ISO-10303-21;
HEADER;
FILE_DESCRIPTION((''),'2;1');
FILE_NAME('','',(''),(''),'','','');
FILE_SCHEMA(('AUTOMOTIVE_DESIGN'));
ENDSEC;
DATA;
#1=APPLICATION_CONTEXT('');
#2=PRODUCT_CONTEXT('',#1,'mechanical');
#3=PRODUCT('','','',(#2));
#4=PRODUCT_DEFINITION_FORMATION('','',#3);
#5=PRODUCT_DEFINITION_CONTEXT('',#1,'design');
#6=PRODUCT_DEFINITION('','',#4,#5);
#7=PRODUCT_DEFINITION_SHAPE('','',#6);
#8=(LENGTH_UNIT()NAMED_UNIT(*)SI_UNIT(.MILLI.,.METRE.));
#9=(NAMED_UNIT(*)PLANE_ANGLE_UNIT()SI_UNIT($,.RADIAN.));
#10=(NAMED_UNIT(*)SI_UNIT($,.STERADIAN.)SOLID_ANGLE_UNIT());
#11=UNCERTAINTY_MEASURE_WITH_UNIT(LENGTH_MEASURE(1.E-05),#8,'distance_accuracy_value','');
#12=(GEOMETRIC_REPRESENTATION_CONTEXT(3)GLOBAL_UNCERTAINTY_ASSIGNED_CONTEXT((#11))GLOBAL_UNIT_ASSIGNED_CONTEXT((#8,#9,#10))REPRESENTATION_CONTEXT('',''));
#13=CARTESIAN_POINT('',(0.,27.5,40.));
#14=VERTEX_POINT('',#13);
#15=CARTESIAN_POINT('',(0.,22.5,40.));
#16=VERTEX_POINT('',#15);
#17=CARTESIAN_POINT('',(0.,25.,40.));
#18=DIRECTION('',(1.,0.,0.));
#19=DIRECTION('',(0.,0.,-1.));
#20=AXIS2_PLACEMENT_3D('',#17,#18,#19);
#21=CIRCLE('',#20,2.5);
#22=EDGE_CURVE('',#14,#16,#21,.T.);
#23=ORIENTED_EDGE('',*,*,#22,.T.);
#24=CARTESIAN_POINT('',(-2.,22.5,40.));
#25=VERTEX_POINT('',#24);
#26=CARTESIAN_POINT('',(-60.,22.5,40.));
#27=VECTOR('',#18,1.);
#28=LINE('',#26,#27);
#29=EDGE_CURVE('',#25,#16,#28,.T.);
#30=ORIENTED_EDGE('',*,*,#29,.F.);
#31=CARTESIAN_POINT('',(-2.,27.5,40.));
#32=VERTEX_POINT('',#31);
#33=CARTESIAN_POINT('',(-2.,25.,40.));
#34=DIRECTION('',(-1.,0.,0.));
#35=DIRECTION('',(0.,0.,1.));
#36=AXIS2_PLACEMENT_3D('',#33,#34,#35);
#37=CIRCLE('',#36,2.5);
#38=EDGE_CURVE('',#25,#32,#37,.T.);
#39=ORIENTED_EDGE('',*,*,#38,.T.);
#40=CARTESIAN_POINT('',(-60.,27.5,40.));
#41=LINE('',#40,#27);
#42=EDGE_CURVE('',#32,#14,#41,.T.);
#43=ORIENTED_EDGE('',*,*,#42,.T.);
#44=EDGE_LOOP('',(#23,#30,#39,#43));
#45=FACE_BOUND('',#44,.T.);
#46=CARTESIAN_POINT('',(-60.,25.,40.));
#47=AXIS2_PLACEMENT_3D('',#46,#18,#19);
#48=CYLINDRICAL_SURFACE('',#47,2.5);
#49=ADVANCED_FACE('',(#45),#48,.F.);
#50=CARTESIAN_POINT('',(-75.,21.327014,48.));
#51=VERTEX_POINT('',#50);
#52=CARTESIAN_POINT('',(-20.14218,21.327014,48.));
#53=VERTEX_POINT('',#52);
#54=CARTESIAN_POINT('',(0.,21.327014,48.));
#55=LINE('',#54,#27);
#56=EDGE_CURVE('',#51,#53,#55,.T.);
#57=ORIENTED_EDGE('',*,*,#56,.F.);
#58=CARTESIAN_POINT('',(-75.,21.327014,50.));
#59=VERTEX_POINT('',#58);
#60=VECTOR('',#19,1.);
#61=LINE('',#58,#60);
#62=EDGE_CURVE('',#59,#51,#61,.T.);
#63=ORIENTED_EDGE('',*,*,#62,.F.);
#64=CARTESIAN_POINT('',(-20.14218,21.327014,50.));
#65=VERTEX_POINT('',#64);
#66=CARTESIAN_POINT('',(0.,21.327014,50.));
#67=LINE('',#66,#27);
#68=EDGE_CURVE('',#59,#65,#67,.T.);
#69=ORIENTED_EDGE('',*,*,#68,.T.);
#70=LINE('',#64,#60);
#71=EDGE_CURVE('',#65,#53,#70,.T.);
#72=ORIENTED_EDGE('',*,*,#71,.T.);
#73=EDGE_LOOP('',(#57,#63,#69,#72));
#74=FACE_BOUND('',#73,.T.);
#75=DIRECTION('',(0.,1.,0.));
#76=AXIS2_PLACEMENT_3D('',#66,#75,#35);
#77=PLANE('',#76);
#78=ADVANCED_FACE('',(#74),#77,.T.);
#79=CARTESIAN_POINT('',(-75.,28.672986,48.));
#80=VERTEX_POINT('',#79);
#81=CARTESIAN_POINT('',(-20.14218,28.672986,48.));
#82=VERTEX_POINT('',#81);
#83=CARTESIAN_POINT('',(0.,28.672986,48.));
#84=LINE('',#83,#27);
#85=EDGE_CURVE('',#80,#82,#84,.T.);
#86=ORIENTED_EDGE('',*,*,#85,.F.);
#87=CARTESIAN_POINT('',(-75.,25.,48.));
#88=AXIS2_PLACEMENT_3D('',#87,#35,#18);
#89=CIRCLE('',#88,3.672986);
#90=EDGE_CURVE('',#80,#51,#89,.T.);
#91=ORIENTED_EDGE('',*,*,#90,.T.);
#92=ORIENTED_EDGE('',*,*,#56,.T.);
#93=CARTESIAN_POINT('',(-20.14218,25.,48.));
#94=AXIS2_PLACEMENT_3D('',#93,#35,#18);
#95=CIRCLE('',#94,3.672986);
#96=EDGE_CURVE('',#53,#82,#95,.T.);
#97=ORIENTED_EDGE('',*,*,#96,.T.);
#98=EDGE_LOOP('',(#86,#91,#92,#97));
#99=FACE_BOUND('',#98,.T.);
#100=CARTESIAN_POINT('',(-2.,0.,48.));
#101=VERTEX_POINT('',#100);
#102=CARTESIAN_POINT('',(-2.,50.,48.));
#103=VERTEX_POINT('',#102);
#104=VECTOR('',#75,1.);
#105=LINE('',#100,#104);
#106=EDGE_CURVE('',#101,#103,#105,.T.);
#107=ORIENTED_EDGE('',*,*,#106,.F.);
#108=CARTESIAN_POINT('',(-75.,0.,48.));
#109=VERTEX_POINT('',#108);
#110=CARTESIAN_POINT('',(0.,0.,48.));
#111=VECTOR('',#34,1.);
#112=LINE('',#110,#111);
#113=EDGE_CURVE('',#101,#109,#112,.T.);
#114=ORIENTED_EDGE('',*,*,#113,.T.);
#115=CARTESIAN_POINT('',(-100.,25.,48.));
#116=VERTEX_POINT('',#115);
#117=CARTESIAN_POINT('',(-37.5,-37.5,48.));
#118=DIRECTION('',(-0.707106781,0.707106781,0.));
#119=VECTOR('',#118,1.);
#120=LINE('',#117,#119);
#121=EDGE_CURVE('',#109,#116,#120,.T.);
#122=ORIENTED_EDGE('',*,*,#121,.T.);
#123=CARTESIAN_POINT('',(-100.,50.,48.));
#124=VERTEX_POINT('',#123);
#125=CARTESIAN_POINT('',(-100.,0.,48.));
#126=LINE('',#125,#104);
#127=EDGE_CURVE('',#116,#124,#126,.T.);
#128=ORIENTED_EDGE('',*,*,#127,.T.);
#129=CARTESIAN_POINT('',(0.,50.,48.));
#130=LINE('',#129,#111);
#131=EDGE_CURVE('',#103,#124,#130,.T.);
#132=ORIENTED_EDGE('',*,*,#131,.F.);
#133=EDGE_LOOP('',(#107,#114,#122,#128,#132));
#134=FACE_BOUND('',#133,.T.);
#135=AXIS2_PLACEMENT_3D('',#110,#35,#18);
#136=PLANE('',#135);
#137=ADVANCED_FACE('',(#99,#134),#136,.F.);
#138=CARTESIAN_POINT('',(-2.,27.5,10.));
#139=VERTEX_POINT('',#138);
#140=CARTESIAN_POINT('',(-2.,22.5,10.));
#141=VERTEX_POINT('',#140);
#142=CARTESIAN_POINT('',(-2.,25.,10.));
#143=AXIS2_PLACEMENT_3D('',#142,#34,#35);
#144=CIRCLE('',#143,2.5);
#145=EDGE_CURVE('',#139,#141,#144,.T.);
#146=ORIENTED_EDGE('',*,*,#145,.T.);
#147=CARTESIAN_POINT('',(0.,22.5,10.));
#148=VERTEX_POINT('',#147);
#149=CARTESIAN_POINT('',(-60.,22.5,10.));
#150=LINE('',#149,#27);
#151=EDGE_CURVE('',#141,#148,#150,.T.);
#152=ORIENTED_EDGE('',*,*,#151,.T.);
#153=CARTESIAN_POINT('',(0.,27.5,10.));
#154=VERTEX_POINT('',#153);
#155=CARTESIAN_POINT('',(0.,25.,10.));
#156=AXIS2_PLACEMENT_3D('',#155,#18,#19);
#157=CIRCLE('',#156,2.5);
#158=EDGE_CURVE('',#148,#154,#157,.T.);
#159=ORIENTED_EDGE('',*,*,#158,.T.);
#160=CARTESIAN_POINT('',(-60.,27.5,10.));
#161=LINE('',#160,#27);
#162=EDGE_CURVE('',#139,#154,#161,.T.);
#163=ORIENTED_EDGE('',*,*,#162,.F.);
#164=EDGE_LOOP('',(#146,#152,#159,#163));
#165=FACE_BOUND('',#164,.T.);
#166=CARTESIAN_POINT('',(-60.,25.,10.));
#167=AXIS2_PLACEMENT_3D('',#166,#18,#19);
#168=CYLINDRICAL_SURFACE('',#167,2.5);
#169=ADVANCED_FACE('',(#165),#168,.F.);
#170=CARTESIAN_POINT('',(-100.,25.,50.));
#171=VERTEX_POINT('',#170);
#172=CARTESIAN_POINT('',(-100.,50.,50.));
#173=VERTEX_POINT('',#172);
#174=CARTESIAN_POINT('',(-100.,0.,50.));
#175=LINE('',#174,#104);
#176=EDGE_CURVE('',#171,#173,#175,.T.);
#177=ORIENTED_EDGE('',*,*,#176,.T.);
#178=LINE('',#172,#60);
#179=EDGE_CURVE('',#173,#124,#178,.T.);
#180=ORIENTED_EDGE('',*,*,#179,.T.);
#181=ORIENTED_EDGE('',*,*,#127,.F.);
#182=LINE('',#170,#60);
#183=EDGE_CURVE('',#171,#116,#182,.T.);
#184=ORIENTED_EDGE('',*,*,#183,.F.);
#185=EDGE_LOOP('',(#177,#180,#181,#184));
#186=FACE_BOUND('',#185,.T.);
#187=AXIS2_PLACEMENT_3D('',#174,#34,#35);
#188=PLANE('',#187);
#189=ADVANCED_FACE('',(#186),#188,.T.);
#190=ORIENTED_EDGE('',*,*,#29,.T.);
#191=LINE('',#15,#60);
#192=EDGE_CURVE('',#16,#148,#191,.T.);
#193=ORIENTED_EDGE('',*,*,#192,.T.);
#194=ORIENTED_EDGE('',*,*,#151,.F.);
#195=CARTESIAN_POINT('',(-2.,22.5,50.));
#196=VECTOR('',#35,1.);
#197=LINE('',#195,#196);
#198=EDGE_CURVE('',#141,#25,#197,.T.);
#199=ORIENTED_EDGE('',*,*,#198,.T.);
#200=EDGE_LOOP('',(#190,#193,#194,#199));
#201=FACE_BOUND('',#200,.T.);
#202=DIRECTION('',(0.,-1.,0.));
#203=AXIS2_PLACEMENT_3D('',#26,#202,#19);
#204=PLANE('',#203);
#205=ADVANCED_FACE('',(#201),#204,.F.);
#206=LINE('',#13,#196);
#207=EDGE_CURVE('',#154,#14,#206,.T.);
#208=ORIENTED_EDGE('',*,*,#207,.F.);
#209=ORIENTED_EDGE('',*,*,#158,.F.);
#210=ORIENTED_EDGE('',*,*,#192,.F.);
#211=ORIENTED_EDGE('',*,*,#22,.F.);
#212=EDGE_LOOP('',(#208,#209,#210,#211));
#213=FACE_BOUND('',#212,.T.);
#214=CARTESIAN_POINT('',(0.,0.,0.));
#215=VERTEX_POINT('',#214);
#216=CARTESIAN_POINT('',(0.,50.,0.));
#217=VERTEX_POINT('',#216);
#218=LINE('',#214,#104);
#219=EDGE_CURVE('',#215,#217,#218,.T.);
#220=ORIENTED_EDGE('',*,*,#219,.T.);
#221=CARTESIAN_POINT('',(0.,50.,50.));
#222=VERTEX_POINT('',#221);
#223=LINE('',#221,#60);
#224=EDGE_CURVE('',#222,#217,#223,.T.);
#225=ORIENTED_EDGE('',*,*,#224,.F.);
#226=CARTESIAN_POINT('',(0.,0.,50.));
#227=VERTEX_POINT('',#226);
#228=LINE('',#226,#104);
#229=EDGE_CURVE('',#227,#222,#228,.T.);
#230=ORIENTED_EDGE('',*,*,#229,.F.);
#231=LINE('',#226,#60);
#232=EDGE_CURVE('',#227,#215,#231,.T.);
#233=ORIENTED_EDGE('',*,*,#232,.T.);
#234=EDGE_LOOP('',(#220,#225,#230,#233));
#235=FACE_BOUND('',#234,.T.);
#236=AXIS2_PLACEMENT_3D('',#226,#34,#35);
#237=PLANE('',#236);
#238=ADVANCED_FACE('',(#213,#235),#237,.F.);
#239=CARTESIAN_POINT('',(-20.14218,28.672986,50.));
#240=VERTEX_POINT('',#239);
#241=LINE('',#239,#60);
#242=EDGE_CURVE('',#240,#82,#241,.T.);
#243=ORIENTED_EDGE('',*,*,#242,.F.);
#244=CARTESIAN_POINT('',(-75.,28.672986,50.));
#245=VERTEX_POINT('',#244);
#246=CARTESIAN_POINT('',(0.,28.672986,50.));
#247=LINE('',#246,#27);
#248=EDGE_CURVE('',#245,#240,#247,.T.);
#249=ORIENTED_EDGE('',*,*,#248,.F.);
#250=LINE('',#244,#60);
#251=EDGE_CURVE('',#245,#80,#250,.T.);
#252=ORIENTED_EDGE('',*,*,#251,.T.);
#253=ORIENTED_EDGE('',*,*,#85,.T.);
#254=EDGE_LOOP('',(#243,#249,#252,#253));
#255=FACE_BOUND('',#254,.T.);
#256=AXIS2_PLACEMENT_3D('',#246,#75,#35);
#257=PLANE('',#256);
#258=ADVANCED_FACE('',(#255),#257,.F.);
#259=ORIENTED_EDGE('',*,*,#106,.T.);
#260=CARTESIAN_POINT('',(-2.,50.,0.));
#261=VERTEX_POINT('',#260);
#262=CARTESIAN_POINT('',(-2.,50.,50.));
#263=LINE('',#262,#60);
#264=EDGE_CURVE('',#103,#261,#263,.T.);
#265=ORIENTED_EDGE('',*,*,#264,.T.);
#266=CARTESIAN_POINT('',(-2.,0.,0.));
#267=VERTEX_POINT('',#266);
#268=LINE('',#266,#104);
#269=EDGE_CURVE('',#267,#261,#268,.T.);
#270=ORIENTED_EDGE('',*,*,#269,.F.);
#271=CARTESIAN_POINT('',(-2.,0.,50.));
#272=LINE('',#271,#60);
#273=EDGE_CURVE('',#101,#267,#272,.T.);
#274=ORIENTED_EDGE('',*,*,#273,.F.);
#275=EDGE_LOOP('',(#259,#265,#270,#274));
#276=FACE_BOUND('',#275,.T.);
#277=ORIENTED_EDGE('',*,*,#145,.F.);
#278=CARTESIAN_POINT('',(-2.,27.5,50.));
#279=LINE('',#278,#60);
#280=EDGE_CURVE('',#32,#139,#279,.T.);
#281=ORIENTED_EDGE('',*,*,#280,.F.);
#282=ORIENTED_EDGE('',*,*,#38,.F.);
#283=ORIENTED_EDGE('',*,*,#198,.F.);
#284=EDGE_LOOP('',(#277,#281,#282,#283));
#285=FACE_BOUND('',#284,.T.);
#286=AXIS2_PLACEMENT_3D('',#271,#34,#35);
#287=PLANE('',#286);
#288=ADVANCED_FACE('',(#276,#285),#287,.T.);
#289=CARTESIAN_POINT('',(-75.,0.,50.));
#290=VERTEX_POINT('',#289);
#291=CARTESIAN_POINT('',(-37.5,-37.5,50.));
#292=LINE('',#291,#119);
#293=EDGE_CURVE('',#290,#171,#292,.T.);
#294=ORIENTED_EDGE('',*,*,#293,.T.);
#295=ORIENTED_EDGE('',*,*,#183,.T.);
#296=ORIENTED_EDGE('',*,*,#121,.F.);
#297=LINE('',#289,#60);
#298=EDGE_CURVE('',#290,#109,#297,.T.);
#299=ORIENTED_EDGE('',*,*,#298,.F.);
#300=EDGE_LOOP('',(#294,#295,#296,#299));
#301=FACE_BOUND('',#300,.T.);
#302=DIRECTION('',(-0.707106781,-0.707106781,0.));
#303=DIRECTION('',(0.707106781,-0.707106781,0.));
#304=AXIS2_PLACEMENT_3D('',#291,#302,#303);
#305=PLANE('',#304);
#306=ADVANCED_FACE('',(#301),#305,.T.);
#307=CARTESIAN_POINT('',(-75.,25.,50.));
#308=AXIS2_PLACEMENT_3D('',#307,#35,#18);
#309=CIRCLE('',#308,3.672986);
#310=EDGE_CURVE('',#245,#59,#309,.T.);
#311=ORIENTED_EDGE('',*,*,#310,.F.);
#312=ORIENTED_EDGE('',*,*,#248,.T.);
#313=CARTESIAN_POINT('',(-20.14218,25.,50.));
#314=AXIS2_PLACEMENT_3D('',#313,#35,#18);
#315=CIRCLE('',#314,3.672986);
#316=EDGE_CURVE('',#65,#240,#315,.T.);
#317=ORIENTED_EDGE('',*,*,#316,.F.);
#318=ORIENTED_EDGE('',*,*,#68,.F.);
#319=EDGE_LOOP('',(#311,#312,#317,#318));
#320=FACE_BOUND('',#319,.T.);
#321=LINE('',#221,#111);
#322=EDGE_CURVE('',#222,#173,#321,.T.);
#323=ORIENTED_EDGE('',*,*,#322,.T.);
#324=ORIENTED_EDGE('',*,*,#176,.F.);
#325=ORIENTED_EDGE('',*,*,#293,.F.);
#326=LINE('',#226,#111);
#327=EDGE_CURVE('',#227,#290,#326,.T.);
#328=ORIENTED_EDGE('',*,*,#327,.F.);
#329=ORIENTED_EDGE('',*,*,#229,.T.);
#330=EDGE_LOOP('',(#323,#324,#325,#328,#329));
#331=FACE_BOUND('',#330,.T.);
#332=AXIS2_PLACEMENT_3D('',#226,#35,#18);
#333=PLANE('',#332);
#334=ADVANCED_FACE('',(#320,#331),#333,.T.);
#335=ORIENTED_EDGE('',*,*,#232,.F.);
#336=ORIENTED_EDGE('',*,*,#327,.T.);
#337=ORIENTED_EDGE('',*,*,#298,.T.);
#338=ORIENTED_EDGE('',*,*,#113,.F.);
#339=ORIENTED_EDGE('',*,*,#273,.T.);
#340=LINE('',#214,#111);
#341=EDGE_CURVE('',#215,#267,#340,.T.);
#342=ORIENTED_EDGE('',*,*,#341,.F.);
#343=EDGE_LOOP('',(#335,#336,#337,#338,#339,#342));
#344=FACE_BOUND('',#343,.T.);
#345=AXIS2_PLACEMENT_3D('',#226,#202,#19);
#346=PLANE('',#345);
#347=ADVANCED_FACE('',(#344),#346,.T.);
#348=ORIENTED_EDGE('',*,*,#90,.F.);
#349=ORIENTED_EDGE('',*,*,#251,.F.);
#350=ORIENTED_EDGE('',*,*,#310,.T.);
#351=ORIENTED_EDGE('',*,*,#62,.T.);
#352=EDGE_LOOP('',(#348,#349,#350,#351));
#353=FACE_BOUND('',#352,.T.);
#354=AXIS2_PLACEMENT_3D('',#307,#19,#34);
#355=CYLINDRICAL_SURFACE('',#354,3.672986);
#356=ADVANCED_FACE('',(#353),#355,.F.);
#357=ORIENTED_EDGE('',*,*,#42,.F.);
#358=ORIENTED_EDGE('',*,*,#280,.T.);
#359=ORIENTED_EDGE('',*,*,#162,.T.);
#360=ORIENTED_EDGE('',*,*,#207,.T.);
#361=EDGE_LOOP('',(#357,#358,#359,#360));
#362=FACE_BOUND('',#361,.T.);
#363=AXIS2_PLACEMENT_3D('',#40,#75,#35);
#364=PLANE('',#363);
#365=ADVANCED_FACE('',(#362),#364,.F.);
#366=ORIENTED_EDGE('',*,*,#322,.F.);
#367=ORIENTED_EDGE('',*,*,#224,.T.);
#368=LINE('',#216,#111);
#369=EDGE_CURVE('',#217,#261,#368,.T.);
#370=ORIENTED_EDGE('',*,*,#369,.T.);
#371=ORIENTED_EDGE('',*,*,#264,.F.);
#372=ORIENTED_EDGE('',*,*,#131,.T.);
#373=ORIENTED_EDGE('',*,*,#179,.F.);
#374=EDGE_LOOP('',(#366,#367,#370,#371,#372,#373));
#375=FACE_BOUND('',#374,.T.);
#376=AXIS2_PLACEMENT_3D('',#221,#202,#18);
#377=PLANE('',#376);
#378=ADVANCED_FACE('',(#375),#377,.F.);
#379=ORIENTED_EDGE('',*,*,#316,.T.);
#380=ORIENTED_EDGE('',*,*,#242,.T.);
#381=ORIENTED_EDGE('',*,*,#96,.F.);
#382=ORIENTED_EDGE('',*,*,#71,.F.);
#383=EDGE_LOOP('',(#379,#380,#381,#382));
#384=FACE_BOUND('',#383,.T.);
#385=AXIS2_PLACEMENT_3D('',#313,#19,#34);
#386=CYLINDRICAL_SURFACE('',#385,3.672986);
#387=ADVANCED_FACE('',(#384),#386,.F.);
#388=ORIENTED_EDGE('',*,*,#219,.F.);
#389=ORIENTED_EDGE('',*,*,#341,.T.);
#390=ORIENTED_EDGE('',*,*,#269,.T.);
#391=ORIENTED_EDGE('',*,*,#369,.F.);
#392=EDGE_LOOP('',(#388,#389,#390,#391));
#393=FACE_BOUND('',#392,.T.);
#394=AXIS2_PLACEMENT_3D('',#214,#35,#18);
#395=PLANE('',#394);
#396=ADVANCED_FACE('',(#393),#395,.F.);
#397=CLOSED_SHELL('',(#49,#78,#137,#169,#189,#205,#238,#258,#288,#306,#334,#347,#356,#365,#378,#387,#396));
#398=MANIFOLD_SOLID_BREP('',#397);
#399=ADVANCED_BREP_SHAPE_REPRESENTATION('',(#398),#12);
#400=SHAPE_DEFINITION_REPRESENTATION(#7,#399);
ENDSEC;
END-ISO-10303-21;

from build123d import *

# Parameters (mm, degrees)
BOSS_EXTRUDE1_DEPTH = 50
SHELL2_T            = -2
CUT_EXTRUDE1_DEPTH  = 60


with BuildPart() as part:
    # Sketch1 → Boss-Extrude1 (new body)
    with BuildSketch(Plane.XY):
        Polygon((-100, 25), (-75, 0), (0, 0), (0, 50), (-100, 50), align=None)
        with BuildLine():
            ThreePointArc((-75, 21.327014218), (-78.672985782, 25), (-75, 28.672985782))
            Line((-75, 28.672985782), (-20.142180095, 28.672985782))
            ThreePointArc((-20.142180095, 28.672985782), (-16.469194313, 25), (-20.142180095, 21.327014218))
            Line((-20.142180095, 21.327014218), (-75, 21.327014218))
        make_face(mode=Mode.SUBTRACT)
    extrude(amount=BOSS_EXTRUDE1_DEPTH)

    # Shell2
    shell2_openings = [part.faces().sort_by_distance(p)[0] for p in [
        (-87.5, 12.5, 25),
        (-37.5, 0, 25),
        (-50, 50, 25),
        (-100, 37.5, 25),
        (-78.672985782, 25, 25),
        (-47.571090047, 28.672985782, 25),
        (-16.469194313, 25, 25),
        (-47.571090047, 21.327014218, 25),
        (-86.709430585, 13.290569415, 0),
    ]]
    offset(amount=SHELL2_T, openings=shell2_openings, kind=Kind.INTERSECTION)

    # Sketch2 → Cut-Extrude1 (cut)
    with BuildSketch(Plane(origin=(0, 0, 0), x_dir=(0, 0, -1), z_dir=(1, 0, 0))):
        with BuildLine():
            Line((-40, 27.5), (-10, 27.5))
            ThreePointArc((-10, 27.5), (-7.5, 25), (-10, 22.5))
            Line((-10, 22.5), (-40, 22.5))
            ThreePointArc((-40, 22.5), (-42.5, 25), (-40, 27.5))
        make_face()
    extrude(amount=-CUT_EXTRUDE1_DEPTH, mode=Mode.SUBTRACT)


solid = part.part
